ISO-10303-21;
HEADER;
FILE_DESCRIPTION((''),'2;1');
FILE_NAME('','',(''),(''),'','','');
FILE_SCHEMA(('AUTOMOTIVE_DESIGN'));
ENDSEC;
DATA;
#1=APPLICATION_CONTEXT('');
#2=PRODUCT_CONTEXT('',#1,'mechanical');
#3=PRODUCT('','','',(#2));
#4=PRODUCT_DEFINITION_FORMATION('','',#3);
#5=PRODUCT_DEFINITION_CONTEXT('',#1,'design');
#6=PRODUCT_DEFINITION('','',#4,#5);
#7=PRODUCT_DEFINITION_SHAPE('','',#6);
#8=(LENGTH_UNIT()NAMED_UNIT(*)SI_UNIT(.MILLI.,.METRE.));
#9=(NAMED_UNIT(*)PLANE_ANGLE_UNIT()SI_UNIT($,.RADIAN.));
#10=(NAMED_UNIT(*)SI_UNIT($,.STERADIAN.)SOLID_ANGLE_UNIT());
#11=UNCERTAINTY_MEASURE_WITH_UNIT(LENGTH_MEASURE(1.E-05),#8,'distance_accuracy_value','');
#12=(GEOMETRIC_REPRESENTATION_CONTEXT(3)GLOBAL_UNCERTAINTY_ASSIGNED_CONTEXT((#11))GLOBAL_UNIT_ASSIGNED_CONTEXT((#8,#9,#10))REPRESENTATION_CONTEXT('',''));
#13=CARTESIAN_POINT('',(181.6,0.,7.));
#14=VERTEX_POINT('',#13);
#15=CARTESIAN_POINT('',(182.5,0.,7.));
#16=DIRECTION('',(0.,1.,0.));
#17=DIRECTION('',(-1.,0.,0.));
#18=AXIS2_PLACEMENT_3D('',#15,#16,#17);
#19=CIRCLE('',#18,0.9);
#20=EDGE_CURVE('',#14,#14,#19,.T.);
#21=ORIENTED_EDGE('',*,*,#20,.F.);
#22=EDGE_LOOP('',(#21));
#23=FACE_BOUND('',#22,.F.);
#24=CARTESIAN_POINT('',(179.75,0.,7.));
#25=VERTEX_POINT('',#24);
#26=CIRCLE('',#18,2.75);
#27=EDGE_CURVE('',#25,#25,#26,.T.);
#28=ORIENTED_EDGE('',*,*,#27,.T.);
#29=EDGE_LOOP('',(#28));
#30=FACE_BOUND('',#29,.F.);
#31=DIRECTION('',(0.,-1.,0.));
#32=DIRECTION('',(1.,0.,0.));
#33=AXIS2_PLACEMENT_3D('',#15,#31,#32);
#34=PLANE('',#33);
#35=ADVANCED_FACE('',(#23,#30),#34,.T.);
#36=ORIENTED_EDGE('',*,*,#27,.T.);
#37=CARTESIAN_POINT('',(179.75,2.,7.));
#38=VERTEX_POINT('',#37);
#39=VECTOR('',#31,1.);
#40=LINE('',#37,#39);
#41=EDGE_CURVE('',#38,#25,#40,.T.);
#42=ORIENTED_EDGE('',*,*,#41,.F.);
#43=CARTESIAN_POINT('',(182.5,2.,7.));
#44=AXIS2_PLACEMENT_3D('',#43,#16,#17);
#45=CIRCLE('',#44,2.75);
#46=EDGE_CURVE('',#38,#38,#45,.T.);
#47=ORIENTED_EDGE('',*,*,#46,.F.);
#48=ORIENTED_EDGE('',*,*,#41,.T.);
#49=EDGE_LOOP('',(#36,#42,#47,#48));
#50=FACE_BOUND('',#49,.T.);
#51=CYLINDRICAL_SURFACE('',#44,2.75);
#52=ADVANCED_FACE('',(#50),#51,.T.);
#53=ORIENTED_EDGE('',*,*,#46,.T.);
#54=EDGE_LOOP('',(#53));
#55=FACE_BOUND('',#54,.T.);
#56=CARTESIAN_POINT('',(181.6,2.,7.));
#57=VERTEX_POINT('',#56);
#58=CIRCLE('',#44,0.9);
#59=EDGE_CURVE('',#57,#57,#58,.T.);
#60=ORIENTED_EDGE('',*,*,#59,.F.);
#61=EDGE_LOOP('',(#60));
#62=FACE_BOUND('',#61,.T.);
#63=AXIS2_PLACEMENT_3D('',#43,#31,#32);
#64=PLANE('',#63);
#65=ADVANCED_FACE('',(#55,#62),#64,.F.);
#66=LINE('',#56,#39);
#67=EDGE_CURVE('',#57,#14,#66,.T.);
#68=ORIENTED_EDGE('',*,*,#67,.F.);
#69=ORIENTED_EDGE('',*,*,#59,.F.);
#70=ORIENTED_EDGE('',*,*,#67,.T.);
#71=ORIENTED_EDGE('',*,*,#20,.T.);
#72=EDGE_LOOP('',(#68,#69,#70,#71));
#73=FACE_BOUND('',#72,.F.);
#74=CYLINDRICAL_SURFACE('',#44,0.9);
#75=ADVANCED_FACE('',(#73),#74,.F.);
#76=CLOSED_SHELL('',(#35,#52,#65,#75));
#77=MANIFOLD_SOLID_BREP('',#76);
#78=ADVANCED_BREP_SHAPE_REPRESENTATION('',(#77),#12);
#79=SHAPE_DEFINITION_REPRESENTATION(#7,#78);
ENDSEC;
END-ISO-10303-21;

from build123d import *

# Parameters (mm, degrees)
CYLINDER015_R            = 0.9
CYLINDER015_DEPTH        = 2
CYLINDER014_R            = 2.75
CYLINDER014_DEPTH        = 2
CLONE015_PLACEMENT_ANGLE = 90


with BuildPart() as faceanchorscrewhole:
    # Cylinder015 → Cylinder015 (new body)
    with BuildSketch(Plane.XY):
        Circle(CYLINDER015_R)
    extrude(amount=CYLINDER015_DEPTH)


with BuildPart() as faceanchor001:
    # Cylinder014 → Cylinder014 (new body)
    with BuildSketch(Plane.XY):
        Circle(CYLINDER014_R)
    extrude(amount=CYLINDER014_DEPTH)

    # Cut015: cut FaceAnchorScrewHole
    add(faceanchorscrewhole.part, mode=Mode.SUBTRACT)


with BuildPart() as faceanchor001_1:
    # Clone015 placement: moved
    add(faceanchor001.part.moved(Location((-8.5, 2, 7))).rotate(Axis((-8.5, 2, 7), (1, 0, 0)), CLONE015_PLACEMENT_ANGLE))


with BuildPart() as part_mirroring021:
    # Part__Mirroring021: instance of FaceAnchor001
    add(faceanchor001_1.part.mirror(Plane(origin=(87, 0, 0), x_dir=(0, -1, 0), z_dir=(1, 0, 0))))


solid = part_mirroring021.part
